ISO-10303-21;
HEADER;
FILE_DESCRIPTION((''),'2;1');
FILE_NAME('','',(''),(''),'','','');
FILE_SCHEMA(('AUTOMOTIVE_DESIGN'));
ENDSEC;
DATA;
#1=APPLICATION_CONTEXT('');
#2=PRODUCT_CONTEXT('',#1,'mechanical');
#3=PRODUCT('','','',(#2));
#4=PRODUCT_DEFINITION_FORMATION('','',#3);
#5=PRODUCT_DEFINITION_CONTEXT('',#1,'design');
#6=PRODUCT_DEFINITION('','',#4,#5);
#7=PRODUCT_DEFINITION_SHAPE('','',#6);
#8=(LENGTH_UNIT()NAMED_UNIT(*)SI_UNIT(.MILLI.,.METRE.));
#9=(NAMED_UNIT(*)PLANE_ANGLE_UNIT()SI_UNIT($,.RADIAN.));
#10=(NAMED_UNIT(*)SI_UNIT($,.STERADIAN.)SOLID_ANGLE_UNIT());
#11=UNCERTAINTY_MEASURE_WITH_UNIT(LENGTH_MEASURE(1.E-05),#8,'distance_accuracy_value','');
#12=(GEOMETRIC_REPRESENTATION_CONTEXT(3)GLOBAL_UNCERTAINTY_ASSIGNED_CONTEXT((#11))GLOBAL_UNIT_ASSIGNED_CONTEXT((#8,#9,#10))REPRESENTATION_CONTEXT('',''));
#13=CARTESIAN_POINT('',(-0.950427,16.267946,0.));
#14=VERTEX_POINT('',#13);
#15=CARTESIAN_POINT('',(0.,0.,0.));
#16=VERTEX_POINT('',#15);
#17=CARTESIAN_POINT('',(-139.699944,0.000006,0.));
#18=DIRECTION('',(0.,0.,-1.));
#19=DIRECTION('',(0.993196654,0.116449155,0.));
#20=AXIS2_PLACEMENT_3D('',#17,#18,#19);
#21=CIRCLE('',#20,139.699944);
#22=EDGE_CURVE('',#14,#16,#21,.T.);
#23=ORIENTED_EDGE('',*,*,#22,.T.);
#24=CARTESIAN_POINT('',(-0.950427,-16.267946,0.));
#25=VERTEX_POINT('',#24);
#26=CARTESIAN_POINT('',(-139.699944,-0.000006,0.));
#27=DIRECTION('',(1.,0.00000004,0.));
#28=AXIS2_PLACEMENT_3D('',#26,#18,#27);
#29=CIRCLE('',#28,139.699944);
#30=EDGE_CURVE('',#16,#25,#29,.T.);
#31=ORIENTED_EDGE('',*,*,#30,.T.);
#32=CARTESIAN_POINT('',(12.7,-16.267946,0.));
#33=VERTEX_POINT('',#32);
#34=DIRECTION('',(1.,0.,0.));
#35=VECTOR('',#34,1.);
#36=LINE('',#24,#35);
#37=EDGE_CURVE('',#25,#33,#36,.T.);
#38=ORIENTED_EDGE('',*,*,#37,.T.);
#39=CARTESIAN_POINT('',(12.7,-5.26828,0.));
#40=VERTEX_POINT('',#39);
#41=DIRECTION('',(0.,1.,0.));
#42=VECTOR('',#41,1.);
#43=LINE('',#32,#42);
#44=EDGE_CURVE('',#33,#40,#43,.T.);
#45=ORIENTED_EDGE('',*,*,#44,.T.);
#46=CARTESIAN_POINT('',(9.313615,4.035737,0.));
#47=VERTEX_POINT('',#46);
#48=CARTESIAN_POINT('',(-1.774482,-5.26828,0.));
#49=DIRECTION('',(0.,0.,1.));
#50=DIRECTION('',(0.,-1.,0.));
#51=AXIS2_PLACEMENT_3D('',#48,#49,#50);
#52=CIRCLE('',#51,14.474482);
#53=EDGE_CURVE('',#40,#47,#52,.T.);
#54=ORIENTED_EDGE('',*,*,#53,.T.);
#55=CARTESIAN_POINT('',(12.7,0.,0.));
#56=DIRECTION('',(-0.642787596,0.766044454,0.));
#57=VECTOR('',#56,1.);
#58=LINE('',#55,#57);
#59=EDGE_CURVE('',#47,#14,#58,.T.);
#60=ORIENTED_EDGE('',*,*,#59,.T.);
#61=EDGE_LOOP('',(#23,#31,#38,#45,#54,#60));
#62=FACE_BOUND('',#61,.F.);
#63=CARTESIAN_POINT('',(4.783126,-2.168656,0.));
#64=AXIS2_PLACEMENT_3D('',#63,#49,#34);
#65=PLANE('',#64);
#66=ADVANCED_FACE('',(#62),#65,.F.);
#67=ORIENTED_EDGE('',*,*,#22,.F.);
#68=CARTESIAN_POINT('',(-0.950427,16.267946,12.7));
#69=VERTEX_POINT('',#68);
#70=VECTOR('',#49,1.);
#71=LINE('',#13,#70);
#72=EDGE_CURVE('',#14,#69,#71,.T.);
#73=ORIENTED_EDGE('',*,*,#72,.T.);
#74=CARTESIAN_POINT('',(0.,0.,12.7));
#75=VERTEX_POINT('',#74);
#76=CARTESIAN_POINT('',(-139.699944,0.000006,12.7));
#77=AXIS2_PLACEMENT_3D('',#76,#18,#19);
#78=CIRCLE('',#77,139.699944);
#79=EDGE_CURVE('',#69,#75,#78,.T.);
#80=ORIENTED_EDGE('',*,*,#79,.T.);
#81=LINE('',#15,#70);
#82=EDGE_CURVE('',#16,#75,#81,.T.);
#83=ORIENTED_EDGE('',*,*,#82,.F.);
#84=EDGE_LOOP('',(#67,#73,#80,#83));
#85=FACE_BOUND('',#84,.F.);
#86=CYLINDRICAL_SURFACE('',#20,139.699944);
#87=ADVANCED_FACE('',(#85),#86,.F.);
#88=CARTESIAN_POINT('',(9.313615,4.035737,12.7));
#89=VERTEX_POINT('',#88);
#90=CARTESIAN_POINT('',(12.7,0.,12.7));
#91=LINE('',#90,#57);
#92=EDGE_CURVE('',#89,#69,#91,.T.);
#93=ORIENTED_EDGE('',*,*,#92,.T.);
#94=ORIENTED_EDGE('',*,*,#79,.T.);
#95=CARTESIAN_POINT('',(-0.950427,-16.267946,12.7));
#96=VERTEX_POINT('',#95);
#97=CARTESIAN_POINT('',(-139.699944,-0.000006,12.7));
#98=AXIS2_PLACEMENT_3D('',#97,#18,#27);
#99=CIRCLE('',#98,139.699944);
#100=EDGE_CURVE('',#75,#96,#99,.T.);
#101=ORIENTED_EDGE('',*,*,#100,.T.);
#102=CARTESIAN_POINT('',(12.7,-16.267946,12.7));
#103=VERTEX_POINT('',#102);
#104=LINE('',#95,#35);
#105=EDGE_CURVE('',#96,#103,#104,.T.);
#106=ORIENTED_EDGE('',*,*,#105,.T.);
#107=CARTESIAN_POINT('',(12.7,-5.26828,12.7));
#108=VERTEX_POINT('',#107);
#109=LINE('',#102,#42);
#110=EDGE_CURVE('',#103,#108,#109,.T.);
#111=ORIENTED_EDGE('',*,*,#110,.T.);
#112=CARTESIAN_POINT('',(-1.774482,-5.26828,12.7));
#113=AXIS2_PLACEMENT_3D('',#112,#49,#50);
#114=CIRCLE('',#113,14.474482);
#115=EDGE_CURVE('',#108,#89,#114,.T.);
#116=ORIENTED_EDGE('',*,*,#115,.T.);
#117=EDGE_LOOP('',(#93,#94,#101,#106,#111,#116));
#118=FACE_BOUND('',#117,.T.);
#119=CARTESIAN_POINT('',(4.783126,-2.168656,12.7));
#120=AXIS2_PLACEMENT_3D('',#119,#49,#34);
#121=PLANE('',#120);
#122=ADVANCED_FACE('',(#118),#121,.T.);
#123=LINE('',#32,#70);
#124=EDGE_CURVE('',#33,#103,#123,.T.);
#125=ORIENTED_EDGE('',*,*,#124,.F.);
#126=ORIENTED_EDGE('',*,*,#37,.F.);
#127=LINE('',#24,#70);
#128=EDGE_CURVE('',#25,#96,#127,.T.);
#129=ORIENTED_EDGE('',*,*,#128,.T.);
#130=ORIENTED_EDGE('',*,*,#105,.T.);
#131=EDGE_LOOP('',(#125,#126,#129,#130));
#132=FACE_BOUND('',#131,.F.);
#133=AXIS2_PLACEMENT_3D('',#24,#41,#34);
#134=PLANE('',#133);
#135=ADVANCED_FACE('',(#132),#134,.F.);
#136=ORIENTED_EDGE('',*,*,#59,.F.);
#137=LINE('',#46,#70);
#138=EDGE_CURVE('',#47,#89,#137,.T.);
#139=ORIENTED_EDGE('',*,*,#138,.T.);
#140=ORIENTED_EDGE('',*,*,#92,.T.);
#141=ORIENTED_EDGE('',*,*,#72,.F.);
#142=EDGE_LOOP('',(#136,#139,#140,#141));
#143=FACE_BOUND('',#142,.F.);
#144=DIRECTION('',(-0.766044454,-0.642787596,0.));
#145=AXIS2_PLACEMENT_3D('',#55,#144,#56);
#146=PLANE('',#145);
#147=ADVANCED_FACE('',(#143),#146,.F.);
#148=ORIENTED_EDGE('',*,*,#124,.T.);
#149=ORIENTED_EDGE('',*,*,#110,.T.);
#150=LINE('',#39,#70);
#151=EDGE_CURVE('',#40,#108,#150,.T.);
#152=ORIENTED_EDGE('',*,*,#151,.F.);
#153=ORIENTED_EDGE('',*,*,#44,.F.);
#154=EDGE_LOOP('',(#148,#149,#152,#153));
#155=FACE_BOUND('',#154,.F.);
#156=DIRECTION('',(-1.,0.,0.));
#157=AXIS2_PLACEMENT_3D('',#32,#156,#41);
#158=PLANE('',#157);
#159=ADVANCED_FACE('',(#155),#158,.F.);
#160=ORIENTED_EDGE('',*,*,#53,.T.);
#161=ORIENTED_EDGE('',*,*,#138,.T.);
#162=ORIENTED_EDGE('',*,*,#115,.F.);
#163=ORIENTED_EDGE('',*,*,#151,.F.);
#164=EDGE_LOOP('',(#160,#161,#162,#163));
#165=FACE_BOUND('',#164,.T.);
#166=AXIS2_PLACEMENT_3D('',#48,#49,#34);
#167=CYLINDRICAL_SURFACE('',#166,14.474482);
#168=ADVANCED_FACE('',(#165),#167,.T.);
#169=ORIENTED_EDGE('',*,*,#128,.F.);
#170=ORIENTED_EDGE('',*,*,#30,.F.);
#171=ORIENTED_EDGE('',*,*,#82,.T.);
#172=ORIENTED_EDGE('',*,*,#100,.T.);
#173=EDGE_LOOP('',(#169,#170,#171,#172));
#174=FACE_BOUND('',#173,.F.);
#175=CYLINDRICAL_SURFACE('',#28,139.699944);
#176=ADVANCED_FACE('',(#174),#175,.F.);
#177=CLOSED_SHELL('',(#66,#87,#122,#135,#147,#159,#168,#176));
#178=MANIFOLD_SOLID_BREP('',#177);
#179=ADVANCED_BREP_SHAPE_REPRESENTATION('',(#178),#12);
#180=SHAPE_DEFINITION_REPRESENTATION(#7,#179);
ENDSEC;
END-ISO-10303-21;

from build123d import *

# Parameters (mm, degrees)
F1_DEPTH = 12.7
F2_R     = 14.474482


with BuildPart() as f1:
    # F0 (on Top) → F1 (new body)
    with BuildSketch(Plane.XY):
        with BuildLine():
            ThreePointArc((-0.950427, 16.267946), (-0.237809, 8.147843), (0, 0))
            ThreePointArc((0, 0), (-0.237809, -8.147843), (-0.950427, -16.267946))
            Line((-0.950427, -16.267946), (12.7, -16.267946))
            Line((12.7, -16.267946), (12.7, 0))
            Line((12.7, 0), (-0.950427, 16.267946))
        make_face()
    extrude(amount=F1_DEPTH)

    # F2
    f2_edges = [f1.edges().sort_by_distance(p)[0] for p in [
        (12.7, 0, 6.35),
    ]]
    fillet(f2_edges, radius=F2_R)


solid = f1.part
